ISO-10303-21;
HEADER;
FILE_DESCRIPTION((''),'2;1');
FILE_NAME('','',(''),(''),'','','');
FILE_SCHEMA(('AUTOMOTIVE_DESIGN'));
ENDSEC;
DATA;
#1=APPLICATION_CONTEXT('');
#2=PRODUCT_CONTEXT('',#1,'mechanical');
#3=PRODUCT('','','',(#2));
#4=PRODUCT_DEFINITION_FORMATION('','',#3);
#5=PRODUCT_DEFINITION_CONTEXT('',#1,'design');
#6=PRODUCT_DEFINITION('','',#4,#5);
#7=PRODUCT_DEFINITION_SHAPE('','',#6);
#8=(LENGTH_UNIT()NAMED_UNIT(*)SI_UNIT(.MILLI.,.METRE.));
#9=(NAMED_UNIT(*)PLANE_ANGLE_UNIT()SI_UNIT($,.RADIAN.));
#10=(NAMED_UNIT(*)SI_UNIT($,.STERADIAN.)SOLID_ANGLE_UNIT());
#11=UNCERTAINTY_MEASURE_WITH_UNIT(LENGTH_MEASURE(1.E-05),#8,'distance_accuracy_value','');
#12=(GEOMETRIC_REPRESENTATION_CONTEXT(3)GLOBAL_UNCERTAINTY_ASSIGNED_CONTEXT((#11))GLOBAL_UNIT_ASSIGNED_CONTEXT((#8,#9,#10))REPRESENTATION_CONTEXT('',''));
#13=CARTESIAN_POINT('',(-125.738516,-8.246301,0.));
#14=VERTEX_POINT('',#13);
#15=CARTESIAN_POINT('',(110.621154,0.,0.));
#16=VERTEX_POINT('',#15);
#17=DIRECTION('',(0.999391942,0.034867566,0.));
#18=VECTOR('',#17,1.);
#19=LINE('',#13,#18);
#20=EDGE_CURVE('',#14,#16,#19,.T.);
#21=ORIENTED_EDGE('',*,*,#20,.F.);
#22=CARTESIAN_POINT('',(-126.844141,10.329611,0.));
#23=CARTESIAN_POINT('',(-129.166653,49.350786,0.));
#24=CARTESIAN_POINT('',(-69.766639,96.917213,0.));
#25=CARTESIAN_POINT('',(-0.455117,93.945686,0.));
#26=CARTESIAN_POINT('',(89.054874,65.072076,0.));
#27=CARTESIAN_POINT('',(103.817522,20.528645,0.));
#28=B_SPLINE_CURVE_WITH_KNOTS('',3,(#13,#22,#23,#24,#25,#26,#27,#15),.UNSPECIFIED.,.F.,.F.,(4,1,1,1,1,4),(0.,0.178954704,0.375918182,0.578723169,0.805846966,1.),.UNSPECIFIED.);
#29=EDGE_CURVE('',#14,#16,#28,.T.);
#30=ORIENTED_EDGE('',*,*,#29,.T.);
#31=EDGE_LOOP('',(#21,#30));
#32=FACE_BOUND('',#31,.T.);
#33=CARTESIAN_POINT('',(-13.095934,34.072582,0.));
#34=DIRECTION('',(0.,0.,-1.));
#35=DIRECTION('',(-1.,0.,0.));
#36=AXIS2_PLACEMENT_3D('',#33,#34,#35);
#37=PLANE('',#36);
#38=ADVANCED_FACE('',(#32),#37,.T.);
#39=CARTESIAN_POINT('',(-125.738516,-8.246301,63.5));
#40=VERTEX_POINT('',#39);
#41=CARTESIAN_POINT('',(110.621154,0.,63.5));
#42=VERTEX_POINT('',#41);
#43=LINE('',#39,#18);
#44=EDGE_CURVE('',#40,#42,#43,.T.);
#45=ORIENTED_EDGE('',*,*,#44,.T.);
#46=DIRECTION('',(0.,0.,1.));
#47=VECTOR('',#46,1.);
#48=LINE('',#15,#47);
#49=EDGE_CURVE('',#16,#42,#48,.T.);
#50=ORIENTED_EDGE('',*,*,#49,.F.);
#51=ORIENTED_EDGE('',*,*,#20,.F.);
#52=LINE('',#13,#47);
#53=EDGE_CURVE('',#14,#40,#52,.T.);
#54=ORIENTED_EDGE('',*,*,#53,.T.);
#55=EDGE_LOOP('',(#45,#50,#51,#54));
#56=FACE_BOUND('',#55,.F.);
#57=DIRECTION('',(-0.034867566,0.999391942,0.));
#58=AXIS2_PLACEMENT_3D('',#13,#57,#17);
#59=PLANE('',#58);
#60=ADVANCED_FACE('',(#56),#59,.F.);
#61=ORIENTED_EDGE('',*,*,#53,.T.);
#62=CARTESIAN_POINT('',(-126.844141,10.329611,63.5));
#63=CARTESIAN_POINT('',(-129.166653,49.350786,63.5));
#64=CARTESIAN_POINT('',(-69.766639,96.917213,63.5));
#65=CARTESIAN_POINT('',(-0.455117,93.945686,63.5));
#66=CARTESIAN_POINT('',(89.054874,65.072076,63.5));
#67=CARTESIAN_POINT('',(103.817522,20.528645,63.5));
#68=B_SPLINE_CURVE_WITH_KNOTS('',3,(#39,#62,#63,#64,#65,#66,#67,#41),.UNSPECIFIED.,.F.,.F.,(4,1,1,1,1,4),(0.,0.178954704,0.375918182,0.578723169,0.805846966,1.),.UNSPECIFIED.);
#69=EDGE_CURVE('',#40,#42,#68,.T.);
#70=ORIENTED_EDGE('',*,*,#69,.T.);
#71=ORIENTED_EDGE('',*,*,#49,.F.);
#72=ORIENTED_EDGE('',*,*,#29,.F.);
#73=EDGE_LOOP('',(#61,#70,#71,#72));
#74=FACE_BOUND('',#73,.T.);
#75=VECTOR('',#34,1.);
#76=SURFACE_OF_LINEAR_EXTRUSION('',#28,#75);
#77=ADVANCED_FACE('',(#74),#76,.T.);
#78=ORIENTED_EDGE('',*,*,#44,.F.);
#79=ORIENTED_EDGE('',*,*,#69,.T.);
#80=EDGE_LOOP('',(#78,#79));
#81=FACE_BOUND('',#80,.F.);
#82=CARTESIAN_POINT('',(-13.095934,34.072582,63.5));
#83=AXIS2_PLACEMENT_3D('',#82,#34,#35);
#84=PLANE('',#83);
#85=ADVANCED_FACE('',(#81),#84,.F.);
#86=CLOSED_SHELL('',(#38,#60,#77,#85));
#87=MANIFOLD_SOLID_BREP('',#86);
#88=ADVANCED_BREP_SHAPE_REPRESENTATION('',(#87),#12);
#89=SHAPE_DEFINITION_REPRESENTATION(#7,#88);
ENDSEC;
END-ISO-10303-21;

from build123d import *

# Parameters (mm, degrees)
F1_DEPTH = 63.5


with BuildPart() as f1:
    # F0 (on Top) → F1 (new body)
    with BuildSketch(Plane.XY):
        with BuildLine():
            add(Edge.make_bspline(
                [(-125.7385164499, -8.246300742), (-126.8441411064, 10.3296107153), (-129.1666529083, 49.3507860656), (-69.7666391126, 96.9172132705), (-0.4551173125, 93.945685696), (89.0548741463, 65.0720763522), (103.8175216482, 20.5286447457), (110.6211543083, 0)],
                knots=[0, 0, 0, 0, 0.1789547036, 0.3759181822, 0.5787231691, 0.8058469658, 1, 1, 1, 1], degree=3))
            Line((-125.7385164499, -8.246300742), (110.6211543083, 0))
        make_face()
    extrude(amount=F1_DEPTH)


solid = f1.part
